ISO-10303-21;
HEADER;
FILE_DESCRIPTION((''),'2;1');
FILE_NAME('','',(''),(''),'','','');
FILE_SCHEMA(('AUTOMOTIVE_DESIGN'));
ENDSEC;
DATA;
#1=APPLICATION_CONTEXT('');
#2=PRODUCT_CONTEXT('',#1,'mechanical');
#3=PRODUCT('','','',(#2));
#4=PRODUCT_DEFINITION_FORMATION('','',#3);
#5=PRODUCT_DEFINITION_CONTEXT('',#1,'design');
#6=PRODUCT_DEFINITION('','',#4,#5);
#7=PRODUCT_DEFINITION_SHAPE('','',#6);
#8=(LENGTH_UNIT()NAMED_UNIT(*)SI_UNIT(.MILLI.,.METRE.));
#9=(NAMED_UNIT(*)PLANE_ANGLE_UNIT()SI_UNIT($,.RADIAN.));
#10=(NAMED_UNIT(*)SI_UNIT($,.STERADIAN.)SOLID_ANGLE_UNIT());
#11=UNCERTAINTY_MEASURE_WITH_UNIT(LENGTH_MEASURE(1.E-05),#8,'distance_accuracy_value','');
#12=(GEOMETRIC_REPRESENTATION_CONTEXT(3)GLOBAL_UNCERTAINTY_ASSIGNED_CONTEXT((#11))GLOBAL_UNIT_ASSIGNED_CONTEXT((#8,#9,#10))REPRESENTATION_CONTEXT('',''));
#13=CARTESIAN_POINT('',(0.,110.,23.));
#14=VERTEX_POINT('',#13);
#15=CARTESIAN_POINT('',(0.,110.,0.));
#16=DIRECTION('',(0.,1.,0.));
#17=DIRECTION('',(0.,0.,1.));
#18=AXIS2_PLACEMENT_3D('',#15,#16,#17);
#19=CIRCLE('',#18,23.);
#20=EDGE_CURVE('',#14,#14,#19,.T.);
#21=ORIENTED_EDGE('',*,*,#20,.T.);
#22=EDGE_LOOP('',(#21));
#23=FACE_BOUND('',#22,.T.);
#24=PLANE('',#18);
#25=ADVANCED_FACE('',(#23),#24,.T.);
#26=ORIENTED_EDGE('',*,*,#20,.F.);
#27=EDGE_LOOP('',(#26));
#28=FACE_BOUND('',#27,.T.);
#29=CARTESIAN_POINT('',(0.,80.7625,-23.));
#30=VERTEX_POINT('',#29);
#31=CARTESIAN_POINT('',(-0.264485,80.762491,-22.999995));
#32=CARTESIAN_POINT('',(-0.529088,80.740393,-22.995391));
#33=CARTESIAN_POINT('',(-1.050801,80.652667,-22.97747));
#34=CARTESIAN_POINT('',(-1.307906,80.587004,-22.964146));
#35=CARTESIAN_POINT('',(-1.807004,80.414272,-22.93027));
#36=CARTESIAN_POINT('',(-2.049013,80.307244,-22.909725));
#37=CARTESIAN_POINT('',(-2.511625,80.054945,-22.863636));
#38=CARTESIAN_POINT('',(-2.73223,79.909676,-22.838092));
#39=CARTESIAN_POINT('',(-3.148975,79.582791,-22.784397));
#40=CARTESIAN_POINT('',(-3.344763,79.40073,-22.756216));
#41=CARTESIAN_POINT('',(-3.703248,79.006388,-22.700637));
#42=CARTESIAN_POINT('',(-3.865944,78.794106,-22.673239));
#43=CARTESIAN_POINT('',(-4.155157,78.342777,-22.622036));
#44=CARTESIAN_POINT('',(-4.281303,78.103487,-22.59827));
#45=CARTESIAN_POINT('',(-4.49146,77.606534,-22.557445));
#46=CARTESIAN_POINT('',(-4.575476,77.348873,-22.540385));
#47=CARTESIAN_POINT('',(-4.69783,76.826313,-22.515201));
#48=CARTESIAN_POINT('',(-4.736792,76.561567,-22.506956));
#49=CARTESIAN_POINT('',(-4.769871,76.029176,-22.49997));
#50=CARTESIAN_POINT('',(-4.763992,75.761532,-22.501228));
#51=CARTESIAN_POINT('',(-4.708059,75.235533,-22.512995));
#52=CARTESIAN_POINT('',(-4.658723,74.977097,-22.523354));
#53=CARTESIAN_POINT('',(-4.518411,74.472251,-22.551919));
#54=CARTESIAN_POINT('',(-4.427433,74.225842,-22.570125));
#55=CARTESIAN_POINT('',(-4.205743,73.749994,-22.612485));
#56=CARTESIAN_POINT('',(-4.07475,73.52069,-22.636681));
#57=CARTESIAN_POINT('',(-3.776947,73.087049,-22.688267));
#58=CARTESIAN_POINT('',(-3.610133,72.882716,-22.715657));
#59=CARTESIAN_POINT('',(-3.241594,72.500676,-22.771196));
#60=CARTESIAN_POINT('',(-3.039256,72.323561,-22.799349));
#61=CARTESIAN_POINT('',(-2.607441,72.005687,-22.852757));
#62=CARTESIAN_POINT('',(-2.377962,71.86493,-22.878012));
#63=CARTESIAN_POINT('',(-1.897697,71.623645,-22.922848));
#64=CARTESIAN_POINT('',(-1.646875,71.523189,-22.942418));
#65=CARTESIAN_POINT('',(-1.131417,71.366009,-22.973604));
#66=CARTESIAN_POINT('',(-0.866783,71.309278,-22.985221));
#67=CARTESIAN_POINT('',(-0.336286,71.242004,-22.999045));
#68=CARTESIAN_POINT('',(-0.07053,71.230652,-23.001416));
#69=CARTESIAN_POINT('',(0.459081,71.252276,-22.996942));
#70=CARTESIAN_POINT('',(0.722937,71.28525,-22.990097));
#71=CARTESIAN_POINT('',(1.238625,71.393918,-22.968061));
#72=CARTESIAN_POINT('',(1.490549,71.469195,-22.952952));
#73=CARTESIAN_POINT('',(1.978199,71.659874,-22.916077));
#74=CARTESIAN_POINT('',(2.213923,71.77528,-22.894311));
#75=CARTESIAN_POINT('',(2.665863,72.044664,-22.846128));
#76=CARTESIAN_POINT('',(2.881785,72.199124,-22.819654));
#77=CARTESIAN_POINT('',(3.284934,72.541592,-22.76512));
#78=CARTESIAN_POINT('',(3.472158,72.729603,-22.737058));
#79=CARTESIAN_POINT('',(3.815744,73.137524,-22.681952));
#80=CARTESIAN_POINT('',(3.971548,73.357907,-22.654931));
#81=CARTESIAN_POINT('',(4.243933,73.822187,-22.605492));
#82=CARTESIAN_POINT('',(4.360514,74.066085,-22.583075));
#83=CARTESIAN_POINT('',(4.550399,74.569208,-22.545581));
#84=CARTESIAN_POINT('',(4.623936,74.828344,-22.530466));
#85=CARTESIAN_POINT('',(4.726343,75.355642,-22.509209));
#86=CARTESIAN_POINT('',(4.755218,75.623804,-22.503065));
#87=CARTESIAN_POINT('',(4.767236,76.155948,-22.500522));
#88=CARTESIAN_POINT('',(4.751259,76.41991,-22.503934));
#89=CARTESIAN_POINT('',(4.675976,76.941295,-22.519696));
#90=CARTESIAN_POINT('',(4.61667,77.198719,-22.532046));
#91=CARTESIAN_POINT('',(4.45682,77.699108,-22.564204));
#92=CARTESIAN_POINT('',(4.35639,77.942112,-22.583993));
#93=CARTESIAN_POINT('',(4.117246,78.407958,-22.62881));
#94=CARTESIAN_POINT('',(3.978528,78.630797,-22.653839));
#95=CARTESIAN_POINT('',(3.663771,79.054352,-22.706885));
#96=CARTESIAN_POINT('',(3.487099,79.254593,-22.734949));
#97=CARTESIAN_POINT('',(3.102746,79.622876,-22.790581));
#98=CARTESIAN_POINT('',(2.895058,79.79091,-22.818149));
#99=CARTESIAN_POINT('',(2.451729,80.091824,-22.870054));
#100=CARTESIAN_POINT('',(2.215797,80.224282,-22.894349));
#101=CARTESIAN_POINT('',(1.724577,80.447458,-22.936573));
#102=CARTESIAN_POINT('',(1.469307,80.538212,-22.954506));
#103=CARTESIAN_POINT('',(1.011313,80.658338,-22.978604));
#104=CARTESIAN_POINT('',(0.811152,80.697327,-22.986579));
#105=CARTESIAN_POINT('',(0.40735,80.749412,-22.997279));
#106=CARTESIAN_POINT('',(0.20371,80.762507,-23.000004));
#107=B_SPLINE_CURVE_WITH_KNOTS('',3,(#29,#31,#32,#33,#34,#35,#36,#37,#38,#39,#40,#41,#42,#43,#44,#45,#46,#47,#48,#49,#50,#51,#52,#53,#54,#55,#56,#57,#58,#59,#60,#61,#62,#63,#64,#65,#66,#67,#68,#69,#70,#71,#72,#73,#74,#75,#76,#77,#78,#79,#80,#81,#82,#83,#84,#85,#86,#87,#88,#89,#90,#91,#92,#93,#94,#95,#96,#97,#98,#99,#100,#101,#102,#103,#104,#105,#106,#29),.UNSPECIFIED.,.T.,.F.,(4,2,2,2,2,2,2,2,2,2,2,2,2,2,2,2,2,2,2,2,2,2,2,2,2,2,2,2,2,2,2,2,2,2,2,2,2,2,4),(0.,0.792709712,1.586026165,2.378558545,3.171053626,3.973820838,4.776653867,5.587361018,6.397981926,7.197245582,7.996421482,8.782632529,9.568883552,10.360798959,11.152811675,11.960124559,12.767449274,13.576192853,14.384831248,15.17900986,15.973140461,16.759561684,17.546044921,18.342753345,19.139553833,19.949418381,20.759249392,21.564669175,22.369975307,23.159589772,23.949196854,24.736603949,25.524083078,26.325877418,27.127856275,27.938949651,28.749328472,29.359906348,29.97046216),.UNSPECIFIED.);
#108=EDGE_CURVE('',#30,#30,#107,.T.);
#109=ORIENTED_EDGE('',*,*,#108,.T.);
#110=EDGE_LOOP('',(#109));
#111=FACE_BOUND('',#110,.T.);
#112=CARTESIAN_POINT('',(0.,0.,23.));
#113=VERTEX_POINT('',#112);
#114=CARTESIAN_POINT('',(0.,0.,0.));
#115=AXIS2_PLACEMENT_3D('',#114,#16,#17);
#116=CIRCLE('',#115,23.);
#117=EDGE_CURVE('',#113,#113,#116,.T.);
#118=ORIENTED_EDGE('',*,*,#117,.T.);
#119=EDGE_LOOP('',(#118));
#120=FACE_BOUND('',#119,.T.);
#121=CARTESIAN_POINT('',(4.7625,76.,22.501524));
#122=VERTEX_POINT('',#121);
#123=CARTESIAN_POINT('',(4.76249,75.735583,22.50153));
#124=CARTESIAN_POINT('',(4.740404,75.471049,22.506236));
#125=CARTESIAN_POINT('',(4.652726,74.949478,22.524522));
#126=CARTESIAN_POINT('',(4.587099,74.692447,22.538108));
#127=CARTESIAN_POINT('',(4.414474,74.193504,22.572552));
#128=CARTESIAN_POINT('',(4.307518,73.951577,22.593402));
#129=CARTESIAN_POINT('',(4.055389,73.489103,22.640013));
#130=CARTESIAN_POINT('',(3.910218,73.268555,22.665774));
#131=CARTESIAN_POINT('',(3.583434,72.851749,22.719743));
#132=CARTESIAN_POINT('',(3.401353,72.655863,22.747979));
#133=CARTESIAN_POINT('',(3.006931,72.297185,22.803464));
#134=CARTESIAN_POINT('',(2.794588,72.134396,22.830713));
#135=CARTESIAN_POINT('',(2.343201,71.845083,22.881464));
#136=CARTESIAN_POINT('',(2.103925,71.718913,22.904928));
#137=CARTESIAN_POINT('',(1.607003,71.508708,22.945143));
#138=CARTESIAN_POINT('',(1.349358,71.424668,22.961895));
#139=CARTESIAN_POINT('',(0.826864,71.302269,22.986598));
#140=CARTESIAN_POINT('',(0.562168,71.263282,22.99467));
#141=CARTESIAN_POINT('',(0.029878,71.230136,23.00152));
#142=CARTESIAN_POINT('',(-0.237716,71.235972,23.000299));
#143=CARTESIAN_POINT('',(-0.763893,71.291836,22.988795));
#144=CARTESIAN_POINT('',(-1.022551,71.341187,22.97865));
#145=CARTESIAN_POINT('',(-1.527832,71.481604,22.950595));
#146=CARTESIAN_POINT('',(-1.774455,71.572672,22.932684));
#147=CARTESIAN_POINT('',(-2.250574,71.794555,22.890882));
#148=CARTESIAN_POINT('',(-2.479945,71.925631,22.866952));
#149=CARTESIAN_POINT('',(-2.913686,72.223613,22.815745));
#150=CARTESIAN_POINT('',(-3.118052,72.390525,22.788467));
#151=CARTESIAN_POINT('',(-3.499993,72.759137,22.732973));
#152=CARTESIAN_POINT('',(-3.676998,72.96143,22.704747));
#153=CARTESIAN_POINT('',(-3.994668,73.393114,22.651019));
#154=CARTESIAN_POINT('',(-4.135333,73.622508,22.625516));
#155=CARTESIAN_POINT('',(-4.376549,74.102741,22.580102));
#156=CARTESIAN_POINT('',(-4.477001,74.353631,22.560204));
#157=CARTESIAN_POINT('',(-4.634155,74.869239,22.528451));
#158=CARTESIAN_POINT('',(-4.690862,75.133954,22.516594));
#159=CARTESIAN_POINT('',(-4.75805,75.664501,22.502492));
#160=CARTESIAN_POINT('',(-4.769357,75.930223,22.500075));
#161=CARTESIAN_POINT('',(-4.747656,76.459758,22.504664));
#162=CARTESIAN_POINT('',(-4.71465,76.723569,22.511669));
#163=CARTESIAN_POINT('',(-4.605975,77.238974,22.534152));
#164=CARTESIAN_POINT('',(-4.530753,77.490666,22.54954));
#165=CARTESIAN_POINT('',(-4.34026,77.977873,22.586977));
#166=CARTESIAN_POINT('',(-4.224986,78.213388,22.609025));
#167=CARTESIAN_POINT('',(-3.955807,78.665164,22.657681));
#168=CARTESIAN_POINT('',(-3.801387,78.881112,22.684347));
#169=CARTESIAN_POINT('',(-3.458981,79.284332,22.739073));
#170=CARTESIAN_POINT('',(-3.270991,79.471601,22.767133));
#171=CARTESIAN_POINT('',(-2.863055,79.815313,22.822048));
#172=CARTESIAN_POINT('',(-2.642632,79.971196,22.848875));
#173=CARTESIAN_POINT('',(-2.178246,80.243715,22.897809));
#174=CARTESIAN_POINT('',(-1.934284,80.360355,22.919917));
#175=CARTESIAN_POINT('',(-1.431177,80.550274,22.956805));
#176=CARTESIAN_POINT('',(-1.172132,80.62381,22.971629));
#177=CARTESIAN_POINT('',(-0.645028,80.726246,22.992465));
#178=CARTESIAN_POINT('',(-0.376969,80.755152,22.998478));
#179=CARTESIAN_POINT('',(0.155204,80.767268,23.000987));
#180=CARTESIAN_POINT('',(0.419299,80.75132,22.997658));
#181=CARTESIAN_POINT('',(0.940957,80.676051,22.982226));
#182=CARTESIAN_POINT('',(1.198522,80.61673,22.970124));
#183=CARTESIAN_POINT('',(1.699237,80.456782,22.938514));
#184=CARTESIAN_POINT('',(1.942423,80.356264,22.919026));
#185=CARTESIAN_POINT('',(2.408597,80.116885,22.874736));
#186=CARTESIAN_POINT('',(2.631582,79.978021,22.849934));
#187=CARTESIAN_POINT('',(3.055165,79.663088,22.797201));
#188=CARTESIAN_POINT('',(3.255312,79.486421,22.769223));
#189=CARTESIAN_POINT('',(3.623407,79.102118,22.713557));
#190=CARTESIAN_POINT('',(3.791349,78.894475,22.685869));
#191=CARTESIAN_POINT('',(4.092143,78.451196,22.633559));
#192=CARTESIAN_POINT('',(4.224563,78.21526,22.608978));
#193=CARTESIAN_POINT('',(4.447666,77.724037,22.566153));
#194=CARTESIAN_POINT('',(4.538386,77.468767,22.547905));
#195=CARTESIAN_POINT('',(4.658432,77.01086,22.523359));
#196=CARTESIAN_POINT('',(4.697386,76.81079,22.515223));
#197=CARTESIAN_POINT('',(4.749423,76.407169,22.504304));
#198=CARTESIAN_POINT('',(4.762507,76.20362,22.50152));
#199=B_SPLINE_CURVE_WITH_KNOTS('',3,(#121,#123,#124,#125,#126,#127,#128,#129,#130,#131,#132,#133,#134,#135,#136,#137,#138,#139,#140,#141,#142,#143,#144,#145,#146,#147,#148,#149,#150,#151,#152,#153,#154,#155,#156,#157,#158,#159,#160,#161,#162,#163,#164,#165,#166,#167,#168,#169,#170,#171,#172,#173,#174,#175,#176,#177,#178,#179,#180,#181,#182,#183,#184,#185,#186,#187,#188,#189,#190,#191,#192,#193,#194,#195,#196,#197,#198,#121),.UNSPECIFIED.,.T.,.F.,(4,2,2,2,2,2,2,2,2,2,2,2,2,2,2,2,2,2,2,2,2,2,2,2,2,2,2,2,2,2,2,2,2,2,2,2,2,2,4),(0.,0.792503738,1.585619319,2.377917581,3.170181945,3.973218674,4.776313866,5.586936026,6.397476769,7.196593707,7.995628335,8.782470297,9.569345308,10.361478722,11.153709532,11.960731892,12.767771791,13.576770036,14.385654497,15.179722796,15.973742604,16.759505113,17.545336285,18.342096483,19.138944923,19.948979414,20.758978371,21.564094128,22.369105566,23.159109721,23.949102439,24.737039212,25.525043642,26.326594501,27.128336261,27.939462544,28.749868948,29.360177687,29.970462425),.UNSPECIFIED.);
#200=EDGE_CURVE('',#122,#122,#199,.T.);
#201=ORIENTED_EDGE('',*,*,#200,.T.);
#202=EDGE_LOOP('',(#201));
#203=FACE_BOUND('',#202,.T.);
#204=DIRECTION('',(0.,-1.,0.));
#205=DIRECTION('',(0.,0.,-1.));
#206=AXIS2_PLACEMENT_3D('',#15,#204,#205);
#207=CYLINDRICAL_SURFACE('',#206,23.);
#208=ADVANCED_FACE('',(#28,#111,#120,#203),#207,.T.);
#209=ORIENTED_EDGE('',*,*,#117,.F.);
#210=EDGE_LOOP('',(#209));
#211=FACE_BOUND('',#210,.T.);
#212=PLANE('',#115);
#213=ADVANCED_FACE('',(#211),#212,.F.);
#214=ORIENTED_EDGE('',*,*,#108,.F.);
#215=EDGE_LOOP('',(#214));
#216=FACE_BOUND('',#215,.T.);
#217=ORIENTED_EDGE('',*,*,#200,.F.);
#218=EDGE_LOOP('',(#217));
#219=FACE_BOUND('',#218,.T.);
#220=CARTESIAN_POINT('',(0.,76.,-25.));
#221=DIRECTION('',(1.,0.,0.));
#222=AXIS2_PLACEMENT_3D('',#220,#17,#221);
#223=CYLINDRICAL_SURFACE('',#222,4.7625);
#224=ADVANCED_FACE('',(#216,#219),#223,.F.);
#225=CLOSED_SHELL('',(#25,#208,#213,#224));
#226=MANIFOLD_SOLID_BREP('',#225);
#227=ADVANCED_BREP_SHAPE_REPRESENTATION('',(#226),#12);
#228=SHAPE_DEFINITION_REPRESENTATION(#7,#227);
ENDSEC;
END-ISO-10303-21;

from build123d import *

# Parameters (mm, degrees)
SKETCH1_R           = 23
BOSS_EXTRUDE1_DEPTH = 110
SKETCH2_R           = 4.7625
CUT_EXTRUDE1_DEPTH  = 25


with BuildPart() as part:
    # Sketch1 → Boss-Extrude1 (new body)
    with BuildSketch(Plane(origin=(0, 0, 0), x_dir=(1, 0, 0), z_dir=(0, 1, 0))):
        with Locations(Location((0, 0, 0), (0, 0, 270))):
            Circle(SKETCH1_R)
    extrude(amount=BOSS_EXTRUDE1_DEPTH)

    # Sketch2 → Cut-Extrude1 (cut, symmetric)
    with BuildSketch(Plane.XY):
        with Locations(Location((0, 76, 0), (0, 0, 90.000000049))):
            Circle(SKETCH2_R)
    extrude(amount=CUT_EXTRUDE1_DEPTH, both=True, mode=Mode.SUBTRACT)


solid = part.part
